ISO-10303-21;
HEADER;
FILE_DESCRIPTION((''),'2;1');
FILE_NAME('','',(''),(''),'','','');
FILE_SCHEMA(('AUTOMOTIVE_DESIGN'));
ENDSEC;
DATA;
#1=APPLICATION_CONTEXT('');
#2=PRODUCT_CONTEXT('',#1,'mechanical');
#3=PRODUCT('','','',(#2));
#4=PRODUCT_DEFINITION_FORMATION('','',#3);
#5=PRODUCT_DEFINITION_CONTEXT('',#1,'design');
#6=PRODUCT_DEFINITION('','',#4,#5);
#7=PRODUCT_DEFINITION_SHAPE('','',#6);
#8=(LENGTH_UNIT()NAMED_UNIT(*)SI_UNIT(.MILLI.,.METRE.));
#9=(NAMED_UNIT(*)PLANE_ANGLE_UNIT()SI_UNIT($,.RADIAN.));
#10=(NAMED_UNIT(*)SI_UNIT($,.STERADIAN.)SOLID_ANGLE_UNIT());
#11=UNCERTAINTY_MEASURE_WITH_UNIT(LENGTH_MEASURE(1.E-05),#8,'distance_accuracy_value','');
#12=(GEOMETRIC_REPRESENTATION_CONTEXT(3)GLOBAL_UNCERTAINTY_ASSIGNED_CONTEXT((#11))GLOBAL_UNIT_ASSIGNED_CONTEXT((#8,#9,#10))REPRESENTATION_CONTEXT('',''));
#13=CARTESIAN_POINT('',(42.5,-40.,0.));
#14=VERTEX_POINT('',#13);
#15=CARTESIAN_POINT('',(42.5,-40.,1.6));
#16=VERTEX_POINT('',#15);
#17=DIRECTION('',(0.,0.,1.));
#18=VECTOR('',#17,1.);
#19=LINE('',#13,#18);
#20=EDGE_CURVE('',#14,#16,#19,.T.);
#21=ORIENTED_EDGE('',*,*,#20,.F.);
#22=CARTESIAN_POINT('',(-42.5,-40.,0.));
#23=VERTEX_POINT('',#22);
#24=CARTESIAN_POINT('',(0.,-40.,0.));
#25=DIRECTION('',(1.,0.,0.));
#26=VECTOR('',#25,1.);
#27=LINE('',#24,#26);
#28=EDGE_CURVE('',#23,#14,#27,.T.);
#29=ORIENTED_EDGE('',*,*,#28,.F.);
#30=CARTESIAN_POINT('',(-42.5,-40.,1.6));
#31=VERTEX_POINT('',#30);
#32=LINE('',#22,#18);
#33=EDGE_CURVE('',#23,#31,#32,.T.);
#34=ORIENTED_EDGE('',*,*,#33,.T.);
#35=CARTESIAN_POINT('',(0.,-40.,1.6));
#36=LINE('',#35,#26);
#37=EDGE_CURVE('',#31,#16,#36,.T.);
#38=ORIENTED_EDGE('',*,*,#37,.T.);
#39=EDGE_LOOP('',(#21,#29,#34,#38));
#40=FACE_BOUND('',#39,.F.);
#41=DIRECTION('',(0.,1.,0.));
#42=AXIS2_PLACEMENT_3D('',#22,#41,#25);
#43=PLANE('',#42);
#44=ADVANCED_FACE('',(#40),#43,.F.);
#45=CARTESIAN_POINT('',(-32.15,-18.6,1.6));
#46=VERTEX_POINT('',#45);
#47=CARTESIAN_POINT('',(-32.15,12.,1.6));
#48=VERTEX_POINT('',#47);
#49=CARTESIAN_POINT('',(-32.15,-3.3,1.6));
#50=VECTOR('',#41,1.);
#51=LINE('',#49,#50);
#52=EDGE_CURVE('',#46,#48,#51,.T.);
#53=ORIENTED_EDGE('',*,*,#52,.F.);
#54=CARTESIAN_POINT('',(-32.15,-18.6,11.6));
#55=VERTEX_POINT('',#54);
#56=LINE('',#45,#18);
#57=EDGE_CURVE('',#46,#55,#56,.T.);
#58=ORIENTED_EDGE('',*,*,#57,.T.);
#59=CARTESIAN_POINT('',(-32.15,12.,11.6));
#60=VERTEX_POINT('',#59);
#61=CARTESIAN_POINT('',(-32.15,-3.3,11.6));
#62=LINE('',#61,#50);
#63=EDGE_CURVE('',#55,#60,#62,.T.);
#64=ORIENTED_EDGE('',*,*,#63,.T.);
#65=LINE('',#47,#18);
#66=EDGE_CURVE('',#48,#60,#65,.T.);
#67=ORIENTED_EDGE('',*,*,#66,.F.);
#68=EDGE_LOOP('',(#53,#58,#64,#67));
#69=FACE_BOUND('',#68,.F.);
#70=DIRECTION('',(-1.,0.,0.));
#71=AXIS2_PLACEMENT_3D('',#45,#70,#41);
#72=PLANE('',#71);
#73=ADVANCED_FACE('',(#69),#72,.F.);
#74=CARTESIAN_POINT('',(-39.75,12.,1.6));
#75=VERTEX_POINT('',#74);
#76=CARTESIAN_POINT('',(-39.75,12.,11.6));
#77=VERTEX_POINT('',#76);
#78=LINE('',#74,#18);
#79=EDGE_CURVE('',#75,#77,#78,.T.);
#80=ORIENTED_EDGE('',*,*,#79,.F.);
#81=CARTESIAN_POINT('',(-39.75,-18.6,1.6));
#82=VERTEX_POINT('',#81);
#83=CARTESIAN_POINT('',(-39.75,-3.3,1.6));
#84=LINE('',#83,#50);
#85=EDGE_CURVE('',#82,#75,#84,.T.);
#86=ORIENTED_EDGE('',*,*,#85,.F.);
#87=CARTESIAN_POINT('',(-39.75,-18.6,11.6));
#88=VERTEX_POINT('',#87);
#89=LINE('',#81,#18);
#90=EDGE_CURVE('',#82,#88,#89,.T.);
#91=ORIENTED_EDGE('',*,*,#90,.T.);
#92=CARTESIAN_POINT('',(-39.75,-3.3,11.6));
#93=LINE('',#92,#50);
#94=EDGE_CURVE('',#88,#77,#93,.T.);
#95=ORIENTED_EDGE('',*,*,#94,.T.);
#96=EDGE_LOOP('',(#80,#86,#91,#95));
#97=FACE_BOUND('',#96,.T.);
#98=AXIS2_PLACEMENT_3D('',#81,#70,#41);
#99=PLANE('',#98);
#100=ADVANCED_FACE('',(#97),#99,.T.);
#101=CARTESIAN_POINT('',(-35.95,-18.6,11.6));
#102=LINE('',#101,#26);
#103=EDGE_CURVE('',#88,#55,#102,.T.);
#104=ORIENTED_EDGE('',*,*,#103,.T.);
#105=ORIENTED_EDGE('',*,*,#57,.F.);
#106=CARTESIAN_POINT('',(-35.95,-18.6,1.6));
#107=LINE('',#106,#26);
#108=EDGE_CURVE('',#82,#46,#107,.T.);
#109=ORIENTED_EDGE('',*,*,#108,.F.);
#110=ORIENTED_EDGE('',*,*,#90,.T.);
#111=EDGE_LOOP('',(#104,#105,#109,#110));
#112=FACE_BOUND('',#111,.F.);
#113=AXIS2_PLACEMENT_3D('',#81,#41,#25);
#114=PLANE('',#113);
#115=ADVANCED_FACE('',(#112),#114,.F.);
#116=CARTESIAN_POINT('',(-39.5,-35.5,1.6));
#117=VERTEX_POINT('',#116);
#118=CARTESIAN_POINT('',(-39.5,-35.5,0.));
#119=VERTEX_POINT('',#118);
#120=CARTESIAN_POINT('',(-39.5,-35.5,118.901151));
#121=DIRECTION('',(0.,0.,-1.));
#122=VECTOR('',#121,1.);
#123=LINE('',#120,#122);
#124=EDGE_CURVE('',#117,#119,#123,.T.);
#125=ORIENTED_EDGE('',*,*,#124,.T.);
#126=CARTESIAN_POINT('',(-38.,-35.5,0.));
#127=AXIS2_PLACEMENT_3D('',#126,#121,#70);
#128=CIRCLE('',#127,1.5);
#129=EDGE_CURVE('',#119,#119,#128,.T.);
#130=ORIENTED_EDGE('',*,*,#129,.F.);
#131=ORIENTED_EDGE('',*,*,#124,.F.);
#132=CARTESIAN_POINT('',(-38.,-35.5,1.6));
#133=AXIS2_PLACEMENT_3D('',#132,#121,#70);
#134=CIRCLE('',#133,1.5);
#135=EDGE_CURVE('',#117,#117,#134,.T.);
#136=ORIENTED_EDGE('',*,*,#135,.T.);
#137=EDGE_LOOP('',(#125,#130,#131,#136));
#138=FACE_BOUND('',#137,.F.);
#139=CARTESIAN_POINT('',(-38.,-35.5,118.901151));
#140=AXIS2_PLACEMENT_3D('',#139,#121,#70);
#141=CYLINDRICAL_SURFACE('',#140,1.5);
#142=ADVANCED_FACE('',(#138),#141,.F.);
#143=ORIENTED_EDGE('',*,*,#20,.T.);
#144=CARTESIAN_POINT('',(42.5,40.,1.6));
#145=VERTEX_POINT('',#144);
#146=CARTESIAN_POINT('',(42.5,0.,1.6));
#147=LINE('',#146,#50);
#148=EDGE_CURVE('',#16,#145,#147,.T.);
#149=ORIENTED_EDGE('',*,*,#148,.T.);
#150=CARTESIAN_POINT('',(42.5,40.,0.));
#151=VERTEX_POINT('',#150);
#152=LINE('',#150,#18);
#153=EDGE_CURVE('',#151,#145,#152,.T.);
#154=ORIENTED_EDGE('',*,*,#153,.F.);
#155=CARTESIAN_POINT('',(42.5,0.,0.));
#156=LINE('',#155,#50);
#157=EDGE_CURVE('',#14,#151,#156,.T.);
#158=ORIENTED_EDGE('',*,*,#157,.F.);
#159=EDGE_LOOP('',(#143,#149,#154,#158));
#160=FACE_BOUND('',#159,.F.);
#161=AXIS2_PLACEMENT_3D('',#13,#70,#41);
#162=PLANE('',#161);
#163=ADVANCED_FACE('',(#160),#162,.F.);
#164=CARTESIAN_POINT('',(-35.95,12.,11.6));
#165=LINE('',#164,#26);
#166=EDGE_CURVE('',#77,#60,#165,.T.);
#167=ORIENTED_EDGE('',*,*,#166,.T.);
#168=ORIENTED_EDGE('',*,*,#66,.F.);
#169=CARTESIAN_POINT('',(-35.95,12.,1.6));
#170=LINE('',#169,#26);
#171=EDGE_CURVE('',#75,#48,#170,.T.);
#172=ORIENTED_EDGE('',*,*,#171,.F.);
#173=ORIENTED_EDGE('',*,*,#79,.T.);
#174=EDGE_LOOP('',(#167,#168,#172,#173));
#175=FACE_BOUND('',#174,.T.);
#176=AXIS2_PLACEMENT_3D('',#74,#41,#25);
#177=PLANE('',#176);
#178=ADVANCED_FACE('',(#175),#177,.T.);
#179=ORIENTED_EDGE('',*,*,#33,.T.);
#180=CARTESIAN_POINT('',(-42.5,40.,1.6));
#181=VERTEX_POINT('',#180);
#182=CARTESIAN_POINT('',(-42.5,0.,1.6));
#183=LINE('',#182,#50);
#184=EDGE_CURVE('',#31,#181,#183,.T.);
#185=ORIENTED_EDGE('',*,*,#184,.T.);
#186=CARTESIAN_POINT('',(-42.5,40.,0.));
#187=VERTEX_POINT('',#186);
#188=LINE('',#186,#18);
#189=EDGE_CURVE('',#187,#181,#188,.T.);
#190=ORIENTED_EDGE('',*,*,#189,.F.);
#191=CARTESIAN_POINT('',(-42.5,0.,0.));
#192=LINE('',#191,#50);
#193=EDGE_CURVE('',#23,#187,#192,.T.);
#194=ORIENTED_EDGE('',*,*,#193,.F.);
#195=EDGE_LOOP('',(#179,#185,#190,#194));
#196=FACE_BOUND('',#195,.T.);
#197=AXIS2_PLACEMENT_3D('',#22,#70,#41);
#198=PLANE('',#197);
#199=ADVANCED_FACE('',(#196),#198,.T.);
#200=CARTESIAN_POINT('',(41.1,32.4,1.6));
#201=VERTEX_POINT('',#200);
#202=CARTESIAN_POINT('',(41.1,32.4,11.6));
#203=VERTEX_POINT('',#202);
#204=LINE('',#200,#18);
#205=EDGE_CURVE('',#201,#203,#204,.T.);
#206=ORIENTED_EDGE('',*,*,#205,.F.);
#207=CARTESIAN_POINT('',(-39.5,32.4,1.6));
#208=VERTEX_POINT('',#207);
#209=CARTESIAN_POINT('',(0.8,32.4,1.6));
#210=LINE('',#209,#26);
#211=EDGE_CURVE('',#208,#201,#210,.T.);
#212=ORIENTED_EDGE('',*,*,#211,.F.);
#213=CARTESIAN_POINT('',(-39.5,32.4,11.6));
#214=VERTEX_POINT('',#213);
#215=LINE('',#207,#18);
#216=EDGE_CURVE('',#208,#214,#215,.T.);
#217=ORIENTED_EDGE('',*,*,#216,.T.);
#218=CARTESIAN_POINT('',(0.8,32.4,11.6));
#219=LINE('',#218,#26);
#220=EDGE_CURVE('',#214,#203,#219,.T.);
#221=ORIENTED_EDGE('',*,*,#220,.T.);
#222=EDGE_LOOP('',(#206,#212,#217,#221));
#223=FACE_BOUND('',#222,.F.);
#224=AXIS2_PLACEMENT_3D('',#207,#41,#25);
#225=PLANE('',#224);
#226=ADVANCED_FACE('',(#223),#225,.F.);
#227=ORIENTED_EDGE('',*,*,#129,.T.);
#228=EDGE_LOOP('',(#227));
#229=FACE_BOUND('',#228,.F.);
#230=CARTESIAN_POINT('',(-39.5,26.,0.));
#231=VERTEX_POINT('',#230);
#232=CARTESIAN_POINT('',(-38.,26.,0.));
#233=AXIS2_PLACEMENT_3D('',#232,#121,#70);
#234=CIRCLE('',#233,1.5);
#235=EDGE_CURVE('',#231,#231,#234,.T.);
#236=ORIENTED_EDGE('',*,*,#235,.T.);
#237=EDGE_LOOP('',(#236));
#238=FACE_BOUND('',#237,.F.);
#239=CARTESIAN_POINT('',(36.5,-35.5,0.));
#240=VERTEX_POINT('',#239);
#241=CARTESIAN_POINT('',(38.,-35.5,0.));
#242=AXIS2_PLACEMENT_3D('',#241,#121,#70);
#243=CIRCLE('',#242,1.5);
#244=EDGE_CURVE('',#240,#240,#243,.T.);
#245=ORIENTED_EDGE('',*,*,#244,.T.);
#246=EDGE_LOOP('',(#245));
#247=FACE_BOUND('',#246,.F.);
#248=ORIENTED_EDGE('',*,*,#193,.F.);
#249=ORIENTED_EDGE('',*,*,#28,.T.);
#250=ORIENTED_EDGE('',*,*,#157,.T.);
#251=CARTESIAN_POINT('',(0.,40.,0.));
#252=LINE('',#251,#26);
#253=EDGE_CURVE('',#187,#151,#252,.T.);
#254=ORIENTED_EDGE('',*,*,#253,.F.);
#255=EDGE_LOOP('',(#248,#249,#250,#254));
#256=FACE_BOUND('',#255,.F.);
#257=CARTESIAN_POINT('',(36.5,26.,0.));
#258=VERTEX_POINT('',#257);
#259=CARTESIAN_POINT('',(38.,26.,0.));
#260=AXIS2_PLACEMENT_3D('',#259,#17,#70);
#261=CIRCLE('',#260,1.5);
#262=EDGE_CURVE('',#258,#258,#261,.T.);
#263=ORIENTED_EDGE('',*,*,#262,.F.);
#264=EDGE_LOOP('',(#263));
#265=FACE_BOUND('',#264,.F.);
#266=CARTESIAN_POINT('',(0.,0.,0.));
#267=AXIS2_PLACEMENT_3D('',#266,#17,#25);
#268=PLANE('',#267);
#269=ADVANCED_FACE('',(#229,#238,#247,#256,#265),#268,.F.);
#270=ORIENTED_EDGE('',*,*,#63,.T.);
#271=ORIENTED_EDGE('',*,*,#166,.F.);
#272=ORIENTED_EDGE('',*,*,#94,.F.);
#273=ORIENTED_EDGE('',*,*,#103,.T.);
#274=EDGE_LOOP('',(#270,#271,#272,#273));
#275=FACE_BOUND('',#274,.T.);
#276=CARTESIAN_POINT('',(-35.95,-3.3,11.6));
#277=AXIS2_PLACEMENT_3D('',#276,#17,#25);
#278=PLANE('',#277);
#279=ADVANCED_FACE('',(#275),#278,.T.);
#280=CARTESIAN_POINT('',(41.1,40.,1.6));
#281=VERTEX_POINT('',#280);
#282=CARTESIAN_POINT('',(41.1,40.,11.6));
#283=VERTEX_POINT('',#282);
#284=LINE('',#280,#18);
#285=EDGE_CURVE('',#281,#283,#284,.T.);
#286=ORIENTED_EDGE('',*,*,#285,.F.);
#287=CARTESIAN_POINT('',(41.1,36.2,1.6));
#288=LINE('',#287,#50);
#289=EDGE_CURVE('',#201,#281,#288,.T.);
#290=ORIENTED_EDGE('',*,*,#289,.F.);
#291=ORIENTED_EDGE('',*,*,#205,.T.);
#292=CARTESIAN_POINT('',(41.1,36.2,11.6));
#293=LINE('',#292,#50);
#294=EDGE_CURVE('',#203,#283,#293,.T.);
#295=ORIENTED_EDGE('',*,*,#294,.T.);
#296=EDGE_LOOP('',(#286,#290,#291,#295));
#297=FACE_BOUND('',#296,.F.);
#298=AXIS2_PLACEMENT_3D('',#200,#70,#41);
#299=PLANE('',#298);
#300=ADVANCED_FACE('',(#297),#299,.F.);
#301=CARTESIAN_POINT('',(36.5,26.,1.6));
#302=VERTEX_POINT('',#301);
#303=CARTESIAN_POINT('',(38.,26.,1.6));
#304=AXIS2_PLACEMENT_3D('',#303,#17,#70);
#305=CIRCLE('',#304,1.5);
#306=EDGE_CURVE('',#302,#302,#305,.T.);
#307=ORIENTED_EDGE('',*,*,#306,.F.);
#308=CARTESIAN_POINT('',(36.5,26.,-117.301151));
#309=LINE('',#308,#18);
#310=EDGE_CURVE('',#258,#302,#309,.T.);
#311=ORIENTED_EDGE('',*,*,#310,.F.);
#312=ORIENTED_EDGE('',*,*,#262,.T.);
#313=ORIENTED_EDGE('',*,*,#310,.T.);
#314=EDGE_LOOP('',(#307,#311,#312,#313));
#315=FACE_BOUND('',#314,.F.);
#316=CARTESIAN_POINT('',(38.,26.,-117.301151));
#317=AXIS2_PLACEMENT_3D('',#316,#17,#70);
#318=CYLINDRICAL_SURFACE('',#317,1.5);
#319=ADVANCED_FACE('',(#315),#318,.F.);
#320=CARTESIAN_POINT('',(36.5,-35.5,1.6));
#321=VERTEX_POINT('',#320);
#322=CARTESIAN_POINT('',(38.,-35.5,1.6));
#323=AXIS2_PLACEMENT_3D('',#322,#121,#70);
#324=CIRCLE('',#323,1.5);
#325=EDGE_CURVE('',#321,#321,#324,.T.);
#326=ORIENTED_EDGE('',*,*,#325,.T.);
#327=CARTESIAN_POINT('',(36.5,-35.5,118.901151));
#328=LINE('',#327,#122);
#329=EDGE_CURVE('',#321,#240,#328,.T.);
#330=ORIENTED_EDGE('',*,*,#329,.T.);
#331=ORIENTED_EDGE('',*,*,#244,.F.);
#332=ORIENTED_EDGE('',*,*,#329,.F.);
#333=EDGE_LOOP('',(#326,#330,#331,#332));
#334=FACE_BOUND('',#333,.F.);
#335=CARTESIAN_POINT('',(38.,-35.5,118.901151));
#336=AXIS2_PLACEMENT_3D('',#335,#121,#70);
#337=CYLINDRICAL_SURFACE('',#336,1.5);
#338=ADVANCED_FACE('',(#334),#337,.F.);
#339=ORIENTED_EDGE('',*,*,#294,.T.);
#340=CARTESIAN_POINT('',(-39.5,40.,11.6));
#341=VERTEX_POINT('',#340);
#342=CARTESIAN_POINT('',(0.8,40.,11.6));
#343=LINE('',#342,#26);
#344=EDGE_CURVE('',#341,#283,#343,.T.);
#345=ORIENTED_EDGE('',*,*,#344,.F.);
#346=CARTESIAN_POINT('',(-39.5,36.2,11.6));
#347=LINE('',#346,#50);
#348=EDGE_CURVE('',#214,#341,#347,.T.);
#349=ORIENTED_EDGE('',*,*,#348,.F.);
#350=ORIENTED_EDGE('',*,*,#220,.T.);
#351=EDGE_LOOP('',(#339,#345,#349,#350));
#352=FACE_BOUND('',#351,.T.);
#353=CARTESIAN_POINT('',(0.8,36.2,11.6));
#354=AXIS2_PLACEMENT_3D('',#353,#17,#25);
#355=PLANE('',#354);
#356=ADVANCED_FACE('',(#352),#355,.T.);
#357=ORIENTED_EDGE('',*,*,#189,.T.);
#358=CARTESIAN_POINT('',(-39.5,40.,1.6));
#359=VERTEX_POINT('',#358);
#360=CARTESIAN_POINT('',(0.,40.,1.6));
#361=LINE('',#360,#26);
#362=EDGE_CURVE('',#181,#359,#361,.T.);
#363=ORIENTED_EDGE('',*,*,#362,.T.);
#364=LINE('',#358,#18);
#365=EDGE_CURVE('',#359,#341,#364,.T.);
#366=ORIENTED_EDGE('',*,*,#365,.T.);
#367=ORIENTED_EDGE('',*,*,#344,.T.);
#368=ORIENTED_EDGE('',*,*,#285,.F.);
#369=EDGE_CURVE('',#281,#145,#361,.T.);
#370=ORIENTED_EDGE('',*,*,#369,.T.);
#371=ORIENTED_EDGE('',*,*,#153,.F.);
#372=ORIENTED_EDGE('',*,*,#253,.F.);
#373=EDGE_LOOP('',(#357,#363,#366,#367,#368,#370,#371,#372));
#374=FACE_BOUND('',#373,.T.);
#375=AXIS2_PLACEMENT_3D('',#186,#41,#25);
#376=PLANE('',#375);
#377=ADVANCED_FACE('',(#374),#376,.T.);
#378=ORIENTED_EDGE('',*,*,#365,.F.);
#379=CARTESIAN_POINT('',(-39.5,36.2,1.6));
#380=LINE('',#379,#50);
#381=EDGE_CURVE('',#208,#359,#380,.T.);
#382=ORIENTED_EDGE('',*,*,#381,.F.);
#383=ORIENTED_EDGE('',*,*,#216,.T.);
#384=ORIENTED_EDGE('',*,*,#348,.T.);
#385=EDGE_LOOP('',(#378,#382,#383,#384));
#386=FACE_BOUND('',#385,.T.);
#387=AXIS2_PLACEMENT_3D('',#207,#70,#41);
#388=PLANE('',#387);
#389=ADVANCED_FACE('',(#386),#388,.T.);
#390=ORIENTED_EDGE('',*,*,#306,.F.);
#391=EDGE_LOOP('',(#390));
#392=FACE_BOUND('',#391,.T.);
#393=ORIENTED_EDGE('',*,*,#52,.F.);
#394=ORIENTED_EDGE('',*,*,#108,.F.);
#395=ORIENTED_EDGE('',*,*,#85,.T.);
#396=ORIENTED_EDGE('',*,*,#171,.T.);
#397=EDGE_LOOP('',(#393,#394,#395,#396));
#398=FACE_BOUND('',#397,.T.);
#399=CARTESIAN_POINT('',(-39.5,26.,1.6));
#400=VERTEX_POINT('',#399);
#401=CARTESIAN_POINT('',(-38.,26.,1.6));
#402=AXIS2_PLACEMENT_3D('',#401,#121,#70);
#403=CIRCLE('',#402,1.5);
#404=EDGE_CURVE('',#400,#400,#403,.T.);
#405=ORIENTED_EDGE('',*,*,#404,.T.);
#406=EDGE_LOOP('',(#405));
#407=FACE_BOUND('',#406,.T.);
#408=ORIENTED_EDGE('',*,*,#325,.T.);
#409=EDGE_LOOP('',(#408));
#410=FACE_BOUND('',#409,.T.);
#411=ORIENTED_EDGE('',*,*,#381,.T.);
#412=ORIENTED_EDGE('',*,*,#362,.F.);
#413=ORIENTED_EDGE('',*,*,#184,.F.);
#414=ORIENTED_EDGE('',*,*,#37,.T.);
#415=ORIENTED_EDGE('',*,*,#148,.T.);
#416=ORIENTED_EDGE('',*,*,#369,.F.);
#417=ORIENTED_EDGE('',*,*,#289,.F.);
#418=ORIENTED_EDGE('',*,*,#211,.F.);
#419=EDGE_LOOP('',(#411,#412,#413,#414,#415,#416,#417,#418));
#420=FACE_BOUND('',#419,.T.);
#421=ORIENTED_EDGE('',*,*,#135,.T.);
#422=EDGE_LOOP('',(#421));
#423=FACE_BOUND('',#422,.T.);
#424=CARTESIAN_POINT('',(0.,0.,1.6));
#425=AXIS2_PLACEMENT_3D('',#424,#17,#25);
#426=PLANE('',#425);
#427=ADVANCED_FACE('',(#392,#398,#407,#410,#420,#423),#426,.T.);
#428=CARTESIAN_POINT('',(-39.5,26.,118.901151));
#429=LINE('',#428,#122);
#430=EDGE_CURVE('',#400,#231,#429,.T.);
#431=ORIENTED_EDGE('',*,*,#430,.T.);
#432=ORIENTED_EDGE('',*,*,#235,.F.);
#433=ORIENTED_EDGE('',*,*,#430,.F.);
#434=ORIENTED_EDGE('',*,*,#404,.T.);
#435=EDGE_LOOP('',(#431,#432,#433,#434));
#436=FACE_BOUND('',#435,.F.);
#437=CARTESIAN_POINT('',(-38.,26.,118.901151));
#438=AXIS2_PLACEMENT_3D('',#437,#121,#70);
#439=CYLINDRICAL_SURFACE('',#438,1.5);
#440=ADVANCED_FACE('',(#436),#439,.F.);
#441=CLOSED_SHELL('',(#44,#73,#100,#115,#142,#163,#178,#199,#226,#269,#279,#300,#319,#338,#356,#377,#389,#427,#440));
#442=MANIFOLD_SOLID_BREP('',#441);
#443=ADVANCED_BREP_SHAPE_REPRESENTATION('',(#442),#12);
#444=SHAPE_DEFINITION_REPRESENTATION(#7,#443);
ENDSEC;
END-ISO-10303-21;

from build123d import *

# Parameters (mm, degrees)
F0_W      = 85
F0_H      = 80
F1_DEPTH  = 1.6
F2_W      = 7.6
F2_H      = 30.6
F3_DEPTH  = 10
F5_D      = 3
F7_D      = 3
F9_D      = 3
F11_D     = 3
F14_W     = 80.6
F14_H     = 7.6
F15_DEPTH = 10


with BuildPart() as f1:
    # F0 (on Top) → F1 (new body)
    with BuildSketch(Plane.XY):
        Rectangle(F0_W, F0_H)
    extrude(amount=F1_DEPTH)

    # F2 (on face) → F3 (join)
    with BuildSketch(Plane.XY.offset(1.6)):
        with Locations((-35.95, -3.3)):
            Rectangle(F2_W, F2_H)
    extrude(amount=F3_DEPTH)

    # F5 (through all)
    with Locations(Plane.XY.offset(1.6)):
        with Locations((-38, 26)):
            Hole(F5_D / 2)

    # F7 (through all)
    with Locations(Plane(origin=(0, 0, 0), x_dir=(1, 0, 0), z_dir=(0, 0, -1))):
        with Locations((38, -26)):
            Hole(F7_D / 2)

    # F9 (through all)
    with Locations(Plane.XY.offset(1.6)):
        with Locations((38, -35.5)):
            Hole(F9_D / 2)

    # F11 (through all)
    with Locations(Plane.XY.offset(1.6)):
        with Locations((-38, -35.5)):
            Hole(F11_D / 2)


with BuildPart() as f12_1:
    # F12: copy of F1
    add(f1.part)


with BuildPart() as f1_1:
    add(f1.part)

    # F14 (on face) → F15 (join)
    with BuildSketch(Plane.XY.offset(1.6)):
        with Locations((0.8, 36.2)):
            Rectangle(F14_W, F14_H)
    extrude(amount=F15_DEPTH)


solid = f1_1.part
